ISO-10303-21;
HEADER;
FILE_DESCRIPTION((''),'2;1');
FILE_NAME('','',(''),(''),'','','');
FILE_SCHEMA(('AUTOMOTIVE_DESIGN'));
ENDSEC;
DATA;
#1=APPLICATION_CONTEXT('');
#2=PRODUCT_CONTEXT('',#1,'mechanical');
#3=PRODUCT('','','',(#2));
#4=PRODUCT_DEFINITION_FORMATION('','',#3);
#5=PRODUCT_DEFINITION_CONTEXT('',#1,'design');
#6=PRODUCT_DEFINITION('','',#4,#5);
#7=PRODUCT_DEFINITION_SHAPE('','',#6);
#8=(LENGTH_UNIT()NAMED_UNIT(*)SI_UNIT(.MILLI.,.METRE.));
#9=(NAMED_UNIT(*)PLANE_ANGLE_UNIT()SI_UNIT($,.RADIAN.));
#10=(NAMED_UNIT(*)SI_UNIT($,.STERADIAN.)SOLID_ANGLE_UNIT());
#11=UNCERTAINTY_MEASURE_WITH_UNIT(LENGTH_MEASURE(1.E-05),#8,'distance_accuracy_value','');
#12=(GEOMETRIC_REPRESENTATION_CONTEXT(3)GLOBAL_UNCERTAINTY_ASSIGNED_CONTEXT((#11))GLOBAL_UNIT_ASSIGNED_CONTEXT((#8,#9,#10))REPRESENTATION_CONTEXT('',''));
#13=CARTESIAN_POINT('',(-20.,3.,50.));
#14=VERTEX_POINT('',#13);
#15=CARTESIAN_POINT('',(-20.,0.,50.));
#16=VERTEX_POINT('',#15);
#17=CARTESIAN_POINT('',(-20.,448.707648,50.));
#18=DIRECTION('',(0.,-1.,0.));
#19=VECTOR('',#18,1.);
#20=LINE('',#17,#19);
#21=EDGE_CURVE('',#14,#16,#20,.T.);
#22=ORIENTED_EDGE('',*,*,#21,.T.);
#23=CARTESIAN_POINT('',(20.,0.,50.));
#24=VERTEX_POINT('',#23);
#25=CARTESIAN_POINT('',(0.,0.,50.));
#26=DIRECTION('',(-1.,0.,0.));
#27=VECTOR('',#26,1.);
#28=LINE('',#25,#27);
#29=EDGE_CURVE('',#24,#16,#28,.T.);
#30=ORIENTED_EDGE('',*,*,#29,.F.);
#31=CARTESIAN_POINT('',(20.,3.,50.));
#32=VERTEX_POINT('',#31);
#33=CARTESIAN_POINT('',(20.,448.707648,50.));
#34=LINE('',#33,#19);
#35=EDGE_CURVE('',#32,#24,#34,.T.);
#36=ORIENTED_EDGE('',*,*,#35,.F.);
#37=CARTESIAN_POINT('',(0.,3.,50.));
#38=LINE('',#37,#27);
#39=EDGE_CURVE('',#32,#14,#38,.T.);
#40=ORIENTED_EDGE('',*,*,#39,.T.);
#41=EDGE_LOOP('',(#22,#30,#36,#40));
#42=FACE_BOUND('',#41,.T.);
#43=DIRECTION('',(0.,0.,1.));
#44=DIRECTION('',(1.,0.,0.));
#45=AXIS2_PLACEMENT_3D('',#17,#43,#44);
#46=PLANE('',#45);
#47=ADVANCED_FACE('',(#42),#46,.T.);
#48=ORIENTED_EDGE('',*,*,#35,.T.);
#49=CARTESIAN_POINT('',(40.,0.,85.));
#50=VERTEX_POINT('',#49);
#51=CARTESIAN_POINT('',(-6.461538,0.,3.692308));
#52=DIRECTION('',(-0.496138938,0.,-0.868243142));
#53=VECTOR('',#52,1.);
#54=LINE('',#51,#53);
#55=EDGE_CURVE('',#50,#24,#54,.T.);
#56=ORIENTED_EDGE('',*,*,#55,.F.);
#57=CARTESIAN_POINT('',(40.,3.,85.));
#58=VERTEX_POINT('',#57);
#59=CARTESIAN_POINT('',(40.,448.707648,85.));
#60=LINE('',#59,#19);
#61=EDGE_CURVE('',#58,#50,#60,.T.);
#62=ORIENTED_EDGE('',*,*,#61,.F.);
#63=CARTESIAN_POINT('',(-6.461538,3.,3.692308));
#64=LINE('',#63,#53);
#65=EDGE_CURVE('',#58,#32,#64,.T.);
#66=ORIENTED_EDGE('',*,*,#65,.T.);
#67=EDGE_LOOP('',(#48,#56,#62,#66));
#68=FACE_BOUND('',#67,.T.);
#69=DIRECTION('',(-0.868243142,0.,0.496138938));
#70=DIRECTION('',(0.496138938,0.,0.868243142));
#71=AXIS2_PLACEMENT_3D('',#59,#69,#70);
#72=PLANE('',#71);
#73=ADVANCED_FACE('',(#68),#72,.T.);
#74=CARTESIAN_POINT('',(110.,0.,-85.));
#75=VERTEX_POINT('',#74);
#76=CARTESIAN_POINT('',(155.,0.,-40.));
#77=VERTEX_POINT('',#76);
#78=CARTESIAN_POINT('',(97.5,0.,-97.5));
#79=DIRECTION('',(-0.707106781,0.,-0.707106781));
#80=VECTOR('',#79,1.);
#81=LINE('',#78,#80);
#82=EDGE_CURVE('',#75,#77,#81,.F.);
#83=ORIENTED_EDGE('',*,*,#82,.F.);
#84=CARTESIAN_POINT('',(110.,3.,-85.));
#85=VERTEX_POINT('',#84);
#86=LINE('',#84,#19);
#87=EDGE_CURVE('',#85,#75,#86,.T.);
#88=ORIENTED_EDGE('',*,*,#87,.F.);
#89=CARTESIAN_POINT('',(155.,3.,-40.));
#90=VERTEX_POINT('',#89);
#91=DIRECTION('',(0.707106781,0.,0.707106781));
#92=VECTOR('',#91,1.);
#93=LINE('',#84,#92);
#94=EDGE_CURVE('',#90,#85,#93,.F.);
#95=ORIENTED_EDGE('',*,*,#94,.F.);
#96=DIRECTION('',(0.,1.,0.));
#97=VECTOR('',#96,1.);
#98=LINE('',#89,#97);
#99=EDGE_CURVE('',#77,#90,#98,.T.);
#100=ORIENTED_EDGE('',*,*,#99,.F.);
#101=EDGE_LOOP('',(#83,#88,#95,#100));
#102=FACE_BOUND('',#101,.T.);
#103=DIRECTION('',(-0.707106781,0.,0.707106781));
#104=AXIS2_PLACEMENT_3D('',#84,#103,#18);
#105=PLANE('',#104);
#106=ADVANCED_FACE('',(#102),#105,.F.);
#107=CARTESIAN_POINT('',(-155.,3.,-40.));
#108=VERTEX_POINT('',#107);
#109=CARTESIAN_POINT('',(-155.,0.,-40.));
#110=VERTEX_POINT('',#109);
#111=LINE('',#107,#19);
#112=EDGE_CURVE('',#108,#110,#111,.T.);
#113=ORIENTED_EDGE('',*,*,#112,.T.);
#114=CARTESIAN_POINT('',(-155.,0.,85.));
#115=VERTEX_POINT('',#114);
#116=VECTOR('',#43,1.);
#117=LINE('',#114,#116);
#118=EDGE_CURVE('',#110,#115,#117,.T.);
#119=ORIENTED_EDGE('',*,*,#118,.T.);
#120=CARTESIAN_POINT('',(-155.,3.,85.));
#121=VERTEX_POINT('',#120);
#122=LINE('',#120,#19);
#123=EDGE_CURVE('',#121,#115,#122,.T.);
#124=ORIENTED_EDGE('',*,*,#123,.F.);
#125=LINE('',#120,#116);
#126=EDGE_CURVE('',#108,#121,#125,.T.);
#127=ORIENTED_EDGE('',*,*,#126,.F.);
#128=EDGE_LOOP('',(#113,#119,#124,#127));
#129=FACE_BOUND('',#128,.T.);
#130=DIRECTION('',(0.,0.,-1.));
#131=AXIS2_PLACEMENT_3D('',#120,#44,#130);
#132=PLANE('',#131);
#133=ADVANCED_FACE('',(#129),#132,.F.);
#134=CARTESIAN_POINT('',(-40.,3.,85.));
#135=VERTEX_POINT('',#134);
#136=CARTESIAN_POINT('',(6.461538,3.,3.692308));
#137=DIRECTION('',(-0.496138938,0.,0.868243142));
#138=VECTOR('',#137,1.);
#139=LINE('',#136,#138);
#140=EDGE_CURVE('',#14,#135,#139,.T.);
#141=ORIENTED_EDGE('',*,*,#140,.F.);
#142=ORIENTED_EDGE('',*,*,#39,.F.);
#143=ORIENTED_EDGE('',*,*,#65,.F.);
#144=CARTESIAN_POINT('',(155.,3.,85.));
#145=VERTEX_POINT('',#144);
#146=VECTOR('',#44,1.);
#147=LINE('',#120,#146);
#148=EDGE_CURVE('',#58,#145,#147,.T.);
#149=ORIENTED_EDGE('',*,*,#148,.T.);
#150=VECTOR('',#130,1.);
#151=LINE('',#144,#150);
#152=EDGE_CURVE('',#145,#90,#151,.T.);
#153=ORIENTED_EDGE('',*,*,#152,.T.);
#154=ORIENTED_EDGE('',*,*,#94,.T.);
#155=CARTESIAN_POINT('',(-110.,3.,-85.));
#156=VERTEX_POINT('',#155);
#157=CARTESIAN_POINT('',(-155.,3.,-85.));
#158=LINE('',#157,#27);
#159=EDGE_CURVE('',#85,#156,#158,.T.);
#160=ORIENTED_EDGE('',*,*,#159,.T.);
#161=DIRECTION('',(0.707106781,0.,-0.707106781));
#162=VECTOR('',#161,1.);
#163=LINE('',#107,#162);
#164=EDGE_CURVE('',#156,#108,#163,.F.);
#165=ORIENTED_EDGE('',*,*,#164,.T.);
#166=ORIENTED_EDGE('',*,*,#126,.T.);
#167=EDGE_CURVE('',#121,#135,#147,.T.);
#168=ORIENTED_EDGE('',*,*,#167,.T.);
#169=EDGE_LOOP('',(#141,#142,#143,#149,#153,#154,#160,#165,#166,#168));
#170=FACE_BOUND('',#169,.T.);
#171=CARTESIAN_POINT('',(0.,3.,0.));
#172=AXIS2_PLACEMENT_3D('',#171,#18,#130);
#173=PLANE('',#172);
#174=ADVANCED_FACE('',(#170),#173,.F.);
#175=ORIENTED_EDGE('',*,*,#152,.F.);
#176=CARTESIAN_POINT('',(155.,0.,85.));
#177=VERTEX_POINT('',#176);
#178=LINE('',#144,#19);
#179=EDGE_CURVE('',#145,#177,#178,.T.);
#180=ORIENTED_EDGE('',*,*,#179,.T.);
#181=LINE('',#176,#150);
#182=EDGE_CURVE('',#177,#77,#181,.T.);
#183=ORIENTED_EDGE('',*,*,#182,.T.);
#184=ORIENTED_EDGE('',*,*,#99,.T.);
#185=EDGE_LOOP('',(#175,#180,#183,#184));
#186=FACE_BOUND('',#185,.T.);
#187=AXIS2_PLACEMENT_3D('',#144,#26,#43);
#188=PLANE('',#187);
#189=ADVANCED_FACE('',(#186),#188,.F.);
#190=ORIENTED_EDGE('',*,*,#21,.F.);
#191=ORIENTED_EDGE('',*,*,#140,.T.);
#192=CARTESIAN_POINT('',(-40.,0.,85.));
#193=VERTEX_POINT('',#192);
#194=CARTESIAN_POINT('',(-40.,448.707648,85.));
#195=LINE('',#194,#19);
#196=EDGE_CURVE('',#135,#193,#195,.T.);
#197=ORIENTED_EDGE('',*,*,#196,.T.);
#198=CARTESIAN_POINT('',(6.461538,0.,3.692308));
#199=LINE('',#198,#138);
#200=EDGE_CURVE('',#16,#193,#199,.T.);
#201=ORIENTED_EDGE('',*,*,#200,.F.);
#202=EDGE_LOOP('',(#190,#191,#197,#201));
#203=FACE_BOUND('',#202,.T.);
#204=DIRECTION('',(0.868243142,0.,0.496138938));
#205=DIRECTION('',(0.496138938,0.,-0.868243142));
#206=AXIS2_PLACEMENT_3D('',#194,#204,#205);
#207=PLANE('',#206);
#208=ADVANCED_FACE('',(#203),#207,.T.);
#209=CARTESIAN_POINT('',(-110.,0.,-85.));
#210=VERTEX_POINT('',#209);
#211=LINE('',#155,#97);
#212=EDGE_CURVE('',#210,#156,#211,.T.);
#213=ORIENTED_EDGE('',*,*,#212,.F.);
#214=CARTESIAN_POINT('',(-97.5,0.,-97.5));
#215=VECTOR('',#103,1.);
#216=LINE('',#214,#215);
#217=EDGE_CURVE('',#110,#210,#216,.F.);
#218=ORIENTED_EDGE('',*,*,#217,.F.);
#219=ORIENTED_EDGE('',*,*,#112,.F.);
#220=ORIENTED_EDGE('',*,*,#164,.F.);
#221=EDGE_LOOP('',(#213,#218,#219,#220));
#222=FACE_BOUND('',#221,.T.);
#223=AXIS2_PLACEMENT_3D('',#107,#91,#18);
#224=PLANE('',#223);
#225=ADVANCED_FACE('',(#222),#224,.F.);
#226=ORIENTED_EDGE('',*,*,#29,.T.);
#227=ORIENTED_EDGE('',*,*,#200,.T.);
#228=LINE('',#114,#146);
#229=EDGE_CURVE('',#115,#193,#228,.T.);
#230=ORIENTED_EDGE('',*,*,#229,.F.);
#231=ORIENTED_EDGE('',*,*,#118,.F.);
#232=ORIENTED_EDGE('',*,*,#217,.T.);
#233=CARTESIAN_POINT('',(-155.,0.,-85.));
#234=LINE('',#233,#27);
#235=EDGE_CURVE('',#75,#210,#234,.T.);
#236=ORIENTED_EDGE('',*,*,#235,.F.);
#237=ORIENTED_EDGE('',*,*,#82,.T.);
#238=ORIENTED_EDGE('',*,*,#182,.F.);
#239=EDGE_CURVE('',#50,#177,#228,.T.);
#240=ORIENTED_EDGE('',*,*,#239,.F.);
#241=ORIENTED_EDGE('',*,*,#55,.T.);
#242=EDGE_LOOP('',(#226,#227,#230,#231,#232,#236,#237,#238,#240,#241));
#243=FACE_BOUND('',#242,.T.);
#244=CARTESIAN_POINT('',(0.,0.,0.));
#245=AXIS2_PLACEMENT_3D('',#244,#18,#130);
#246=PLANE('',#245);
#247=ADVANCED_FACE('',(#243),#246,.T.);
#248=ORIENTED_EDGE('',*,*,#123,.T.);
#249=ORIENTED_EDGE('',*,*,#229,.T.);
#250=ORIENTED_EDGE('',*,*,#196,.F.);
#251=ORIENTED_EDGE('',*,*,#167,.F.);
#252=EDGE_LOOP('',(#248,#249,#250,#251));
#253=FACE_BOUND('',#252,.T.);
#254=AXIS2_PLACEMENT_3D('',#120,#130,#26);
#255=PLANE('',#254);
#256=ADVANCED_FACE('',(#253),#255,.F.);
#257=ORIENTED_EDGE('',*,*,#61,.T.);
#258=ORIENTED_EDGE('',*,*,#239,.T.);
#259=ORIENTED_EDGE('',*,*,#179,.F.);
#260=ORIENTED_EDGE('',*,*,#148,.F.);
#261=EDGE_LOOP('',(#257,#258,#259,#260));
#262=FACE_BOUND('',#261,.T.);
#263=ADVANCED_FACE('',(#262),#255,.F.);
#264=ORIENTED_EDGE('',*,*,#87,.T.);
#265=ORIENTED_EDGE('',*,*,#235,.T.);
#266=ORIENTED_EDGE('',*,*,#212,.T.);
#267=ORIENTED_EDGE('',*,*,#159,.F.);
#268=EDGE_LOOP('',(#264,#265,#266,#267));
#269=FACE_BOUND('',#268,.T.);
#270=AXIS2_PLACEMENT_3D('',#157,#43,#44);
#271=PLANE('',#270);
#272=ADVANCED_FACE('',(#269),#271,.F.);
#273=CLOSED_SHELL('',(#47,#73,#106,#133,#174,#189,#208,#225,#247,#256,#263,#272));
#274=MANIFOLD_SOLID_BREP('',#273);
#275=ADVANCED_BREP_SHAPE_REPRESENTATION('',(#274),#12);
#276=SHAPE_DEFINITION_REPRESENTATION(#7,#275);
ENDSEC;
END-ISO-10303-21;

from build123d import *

# Parameters (mm, degrees)
SKETCH_1_W               = 310
SKETCH_1_H               = 170
EXTRUDE_1_DEPTH          = 3
CUT_EXTRUDE_1_DEPTH      = 177.802149308
CUT_EXTRUDE_1_DEPTH_BACK = 177.802149308
CHAMFER_1_SIZE           = 45


with BuildPart() as part:
    # 草图1 → 凸台-拉伸1 (new body)
    with BuildSketch(Plane(origin=(0, 0, 0), x_dir=(1, 0, 0), z_dir=(0, 1, 0))):
        Rectangle(SKETCH_1_W, SKETCH_1_H)
    extrude(amount=EXTRUDE_1_DEPTH)

    # 草图2 → 切除-拉伸1 (cut, two sides: drawn at the far end of the back side and taken through both)
    with BuildSketch(Plane(origin=(0, 3, 0), x_dir=(1, 0, 0), z_dir=(0, 1, 0)).offset(-CUT_EXTRUDE_1_DEPTH_BACK)):
        Polygon((-20, -50), (-40, -85), (40, -85), (20, -50), align=None)
    extrude(amount=CUT_EXTRUDE_1_DEPTH + CUT_EXTRUDE_1_DEPTH_BACK, mode=Mode.SUBTRACT)

    # 倒角1
    chamfer_1_edges = [part.edges().sort_by_distance(p)[0] for p in [
        (-155, 1.5, -85),
        (155, 1.5, -85),
    ]]
    chamfer(chamfer_1_edges, length=CHAMFER_1_SIZE)


solid = part.part
